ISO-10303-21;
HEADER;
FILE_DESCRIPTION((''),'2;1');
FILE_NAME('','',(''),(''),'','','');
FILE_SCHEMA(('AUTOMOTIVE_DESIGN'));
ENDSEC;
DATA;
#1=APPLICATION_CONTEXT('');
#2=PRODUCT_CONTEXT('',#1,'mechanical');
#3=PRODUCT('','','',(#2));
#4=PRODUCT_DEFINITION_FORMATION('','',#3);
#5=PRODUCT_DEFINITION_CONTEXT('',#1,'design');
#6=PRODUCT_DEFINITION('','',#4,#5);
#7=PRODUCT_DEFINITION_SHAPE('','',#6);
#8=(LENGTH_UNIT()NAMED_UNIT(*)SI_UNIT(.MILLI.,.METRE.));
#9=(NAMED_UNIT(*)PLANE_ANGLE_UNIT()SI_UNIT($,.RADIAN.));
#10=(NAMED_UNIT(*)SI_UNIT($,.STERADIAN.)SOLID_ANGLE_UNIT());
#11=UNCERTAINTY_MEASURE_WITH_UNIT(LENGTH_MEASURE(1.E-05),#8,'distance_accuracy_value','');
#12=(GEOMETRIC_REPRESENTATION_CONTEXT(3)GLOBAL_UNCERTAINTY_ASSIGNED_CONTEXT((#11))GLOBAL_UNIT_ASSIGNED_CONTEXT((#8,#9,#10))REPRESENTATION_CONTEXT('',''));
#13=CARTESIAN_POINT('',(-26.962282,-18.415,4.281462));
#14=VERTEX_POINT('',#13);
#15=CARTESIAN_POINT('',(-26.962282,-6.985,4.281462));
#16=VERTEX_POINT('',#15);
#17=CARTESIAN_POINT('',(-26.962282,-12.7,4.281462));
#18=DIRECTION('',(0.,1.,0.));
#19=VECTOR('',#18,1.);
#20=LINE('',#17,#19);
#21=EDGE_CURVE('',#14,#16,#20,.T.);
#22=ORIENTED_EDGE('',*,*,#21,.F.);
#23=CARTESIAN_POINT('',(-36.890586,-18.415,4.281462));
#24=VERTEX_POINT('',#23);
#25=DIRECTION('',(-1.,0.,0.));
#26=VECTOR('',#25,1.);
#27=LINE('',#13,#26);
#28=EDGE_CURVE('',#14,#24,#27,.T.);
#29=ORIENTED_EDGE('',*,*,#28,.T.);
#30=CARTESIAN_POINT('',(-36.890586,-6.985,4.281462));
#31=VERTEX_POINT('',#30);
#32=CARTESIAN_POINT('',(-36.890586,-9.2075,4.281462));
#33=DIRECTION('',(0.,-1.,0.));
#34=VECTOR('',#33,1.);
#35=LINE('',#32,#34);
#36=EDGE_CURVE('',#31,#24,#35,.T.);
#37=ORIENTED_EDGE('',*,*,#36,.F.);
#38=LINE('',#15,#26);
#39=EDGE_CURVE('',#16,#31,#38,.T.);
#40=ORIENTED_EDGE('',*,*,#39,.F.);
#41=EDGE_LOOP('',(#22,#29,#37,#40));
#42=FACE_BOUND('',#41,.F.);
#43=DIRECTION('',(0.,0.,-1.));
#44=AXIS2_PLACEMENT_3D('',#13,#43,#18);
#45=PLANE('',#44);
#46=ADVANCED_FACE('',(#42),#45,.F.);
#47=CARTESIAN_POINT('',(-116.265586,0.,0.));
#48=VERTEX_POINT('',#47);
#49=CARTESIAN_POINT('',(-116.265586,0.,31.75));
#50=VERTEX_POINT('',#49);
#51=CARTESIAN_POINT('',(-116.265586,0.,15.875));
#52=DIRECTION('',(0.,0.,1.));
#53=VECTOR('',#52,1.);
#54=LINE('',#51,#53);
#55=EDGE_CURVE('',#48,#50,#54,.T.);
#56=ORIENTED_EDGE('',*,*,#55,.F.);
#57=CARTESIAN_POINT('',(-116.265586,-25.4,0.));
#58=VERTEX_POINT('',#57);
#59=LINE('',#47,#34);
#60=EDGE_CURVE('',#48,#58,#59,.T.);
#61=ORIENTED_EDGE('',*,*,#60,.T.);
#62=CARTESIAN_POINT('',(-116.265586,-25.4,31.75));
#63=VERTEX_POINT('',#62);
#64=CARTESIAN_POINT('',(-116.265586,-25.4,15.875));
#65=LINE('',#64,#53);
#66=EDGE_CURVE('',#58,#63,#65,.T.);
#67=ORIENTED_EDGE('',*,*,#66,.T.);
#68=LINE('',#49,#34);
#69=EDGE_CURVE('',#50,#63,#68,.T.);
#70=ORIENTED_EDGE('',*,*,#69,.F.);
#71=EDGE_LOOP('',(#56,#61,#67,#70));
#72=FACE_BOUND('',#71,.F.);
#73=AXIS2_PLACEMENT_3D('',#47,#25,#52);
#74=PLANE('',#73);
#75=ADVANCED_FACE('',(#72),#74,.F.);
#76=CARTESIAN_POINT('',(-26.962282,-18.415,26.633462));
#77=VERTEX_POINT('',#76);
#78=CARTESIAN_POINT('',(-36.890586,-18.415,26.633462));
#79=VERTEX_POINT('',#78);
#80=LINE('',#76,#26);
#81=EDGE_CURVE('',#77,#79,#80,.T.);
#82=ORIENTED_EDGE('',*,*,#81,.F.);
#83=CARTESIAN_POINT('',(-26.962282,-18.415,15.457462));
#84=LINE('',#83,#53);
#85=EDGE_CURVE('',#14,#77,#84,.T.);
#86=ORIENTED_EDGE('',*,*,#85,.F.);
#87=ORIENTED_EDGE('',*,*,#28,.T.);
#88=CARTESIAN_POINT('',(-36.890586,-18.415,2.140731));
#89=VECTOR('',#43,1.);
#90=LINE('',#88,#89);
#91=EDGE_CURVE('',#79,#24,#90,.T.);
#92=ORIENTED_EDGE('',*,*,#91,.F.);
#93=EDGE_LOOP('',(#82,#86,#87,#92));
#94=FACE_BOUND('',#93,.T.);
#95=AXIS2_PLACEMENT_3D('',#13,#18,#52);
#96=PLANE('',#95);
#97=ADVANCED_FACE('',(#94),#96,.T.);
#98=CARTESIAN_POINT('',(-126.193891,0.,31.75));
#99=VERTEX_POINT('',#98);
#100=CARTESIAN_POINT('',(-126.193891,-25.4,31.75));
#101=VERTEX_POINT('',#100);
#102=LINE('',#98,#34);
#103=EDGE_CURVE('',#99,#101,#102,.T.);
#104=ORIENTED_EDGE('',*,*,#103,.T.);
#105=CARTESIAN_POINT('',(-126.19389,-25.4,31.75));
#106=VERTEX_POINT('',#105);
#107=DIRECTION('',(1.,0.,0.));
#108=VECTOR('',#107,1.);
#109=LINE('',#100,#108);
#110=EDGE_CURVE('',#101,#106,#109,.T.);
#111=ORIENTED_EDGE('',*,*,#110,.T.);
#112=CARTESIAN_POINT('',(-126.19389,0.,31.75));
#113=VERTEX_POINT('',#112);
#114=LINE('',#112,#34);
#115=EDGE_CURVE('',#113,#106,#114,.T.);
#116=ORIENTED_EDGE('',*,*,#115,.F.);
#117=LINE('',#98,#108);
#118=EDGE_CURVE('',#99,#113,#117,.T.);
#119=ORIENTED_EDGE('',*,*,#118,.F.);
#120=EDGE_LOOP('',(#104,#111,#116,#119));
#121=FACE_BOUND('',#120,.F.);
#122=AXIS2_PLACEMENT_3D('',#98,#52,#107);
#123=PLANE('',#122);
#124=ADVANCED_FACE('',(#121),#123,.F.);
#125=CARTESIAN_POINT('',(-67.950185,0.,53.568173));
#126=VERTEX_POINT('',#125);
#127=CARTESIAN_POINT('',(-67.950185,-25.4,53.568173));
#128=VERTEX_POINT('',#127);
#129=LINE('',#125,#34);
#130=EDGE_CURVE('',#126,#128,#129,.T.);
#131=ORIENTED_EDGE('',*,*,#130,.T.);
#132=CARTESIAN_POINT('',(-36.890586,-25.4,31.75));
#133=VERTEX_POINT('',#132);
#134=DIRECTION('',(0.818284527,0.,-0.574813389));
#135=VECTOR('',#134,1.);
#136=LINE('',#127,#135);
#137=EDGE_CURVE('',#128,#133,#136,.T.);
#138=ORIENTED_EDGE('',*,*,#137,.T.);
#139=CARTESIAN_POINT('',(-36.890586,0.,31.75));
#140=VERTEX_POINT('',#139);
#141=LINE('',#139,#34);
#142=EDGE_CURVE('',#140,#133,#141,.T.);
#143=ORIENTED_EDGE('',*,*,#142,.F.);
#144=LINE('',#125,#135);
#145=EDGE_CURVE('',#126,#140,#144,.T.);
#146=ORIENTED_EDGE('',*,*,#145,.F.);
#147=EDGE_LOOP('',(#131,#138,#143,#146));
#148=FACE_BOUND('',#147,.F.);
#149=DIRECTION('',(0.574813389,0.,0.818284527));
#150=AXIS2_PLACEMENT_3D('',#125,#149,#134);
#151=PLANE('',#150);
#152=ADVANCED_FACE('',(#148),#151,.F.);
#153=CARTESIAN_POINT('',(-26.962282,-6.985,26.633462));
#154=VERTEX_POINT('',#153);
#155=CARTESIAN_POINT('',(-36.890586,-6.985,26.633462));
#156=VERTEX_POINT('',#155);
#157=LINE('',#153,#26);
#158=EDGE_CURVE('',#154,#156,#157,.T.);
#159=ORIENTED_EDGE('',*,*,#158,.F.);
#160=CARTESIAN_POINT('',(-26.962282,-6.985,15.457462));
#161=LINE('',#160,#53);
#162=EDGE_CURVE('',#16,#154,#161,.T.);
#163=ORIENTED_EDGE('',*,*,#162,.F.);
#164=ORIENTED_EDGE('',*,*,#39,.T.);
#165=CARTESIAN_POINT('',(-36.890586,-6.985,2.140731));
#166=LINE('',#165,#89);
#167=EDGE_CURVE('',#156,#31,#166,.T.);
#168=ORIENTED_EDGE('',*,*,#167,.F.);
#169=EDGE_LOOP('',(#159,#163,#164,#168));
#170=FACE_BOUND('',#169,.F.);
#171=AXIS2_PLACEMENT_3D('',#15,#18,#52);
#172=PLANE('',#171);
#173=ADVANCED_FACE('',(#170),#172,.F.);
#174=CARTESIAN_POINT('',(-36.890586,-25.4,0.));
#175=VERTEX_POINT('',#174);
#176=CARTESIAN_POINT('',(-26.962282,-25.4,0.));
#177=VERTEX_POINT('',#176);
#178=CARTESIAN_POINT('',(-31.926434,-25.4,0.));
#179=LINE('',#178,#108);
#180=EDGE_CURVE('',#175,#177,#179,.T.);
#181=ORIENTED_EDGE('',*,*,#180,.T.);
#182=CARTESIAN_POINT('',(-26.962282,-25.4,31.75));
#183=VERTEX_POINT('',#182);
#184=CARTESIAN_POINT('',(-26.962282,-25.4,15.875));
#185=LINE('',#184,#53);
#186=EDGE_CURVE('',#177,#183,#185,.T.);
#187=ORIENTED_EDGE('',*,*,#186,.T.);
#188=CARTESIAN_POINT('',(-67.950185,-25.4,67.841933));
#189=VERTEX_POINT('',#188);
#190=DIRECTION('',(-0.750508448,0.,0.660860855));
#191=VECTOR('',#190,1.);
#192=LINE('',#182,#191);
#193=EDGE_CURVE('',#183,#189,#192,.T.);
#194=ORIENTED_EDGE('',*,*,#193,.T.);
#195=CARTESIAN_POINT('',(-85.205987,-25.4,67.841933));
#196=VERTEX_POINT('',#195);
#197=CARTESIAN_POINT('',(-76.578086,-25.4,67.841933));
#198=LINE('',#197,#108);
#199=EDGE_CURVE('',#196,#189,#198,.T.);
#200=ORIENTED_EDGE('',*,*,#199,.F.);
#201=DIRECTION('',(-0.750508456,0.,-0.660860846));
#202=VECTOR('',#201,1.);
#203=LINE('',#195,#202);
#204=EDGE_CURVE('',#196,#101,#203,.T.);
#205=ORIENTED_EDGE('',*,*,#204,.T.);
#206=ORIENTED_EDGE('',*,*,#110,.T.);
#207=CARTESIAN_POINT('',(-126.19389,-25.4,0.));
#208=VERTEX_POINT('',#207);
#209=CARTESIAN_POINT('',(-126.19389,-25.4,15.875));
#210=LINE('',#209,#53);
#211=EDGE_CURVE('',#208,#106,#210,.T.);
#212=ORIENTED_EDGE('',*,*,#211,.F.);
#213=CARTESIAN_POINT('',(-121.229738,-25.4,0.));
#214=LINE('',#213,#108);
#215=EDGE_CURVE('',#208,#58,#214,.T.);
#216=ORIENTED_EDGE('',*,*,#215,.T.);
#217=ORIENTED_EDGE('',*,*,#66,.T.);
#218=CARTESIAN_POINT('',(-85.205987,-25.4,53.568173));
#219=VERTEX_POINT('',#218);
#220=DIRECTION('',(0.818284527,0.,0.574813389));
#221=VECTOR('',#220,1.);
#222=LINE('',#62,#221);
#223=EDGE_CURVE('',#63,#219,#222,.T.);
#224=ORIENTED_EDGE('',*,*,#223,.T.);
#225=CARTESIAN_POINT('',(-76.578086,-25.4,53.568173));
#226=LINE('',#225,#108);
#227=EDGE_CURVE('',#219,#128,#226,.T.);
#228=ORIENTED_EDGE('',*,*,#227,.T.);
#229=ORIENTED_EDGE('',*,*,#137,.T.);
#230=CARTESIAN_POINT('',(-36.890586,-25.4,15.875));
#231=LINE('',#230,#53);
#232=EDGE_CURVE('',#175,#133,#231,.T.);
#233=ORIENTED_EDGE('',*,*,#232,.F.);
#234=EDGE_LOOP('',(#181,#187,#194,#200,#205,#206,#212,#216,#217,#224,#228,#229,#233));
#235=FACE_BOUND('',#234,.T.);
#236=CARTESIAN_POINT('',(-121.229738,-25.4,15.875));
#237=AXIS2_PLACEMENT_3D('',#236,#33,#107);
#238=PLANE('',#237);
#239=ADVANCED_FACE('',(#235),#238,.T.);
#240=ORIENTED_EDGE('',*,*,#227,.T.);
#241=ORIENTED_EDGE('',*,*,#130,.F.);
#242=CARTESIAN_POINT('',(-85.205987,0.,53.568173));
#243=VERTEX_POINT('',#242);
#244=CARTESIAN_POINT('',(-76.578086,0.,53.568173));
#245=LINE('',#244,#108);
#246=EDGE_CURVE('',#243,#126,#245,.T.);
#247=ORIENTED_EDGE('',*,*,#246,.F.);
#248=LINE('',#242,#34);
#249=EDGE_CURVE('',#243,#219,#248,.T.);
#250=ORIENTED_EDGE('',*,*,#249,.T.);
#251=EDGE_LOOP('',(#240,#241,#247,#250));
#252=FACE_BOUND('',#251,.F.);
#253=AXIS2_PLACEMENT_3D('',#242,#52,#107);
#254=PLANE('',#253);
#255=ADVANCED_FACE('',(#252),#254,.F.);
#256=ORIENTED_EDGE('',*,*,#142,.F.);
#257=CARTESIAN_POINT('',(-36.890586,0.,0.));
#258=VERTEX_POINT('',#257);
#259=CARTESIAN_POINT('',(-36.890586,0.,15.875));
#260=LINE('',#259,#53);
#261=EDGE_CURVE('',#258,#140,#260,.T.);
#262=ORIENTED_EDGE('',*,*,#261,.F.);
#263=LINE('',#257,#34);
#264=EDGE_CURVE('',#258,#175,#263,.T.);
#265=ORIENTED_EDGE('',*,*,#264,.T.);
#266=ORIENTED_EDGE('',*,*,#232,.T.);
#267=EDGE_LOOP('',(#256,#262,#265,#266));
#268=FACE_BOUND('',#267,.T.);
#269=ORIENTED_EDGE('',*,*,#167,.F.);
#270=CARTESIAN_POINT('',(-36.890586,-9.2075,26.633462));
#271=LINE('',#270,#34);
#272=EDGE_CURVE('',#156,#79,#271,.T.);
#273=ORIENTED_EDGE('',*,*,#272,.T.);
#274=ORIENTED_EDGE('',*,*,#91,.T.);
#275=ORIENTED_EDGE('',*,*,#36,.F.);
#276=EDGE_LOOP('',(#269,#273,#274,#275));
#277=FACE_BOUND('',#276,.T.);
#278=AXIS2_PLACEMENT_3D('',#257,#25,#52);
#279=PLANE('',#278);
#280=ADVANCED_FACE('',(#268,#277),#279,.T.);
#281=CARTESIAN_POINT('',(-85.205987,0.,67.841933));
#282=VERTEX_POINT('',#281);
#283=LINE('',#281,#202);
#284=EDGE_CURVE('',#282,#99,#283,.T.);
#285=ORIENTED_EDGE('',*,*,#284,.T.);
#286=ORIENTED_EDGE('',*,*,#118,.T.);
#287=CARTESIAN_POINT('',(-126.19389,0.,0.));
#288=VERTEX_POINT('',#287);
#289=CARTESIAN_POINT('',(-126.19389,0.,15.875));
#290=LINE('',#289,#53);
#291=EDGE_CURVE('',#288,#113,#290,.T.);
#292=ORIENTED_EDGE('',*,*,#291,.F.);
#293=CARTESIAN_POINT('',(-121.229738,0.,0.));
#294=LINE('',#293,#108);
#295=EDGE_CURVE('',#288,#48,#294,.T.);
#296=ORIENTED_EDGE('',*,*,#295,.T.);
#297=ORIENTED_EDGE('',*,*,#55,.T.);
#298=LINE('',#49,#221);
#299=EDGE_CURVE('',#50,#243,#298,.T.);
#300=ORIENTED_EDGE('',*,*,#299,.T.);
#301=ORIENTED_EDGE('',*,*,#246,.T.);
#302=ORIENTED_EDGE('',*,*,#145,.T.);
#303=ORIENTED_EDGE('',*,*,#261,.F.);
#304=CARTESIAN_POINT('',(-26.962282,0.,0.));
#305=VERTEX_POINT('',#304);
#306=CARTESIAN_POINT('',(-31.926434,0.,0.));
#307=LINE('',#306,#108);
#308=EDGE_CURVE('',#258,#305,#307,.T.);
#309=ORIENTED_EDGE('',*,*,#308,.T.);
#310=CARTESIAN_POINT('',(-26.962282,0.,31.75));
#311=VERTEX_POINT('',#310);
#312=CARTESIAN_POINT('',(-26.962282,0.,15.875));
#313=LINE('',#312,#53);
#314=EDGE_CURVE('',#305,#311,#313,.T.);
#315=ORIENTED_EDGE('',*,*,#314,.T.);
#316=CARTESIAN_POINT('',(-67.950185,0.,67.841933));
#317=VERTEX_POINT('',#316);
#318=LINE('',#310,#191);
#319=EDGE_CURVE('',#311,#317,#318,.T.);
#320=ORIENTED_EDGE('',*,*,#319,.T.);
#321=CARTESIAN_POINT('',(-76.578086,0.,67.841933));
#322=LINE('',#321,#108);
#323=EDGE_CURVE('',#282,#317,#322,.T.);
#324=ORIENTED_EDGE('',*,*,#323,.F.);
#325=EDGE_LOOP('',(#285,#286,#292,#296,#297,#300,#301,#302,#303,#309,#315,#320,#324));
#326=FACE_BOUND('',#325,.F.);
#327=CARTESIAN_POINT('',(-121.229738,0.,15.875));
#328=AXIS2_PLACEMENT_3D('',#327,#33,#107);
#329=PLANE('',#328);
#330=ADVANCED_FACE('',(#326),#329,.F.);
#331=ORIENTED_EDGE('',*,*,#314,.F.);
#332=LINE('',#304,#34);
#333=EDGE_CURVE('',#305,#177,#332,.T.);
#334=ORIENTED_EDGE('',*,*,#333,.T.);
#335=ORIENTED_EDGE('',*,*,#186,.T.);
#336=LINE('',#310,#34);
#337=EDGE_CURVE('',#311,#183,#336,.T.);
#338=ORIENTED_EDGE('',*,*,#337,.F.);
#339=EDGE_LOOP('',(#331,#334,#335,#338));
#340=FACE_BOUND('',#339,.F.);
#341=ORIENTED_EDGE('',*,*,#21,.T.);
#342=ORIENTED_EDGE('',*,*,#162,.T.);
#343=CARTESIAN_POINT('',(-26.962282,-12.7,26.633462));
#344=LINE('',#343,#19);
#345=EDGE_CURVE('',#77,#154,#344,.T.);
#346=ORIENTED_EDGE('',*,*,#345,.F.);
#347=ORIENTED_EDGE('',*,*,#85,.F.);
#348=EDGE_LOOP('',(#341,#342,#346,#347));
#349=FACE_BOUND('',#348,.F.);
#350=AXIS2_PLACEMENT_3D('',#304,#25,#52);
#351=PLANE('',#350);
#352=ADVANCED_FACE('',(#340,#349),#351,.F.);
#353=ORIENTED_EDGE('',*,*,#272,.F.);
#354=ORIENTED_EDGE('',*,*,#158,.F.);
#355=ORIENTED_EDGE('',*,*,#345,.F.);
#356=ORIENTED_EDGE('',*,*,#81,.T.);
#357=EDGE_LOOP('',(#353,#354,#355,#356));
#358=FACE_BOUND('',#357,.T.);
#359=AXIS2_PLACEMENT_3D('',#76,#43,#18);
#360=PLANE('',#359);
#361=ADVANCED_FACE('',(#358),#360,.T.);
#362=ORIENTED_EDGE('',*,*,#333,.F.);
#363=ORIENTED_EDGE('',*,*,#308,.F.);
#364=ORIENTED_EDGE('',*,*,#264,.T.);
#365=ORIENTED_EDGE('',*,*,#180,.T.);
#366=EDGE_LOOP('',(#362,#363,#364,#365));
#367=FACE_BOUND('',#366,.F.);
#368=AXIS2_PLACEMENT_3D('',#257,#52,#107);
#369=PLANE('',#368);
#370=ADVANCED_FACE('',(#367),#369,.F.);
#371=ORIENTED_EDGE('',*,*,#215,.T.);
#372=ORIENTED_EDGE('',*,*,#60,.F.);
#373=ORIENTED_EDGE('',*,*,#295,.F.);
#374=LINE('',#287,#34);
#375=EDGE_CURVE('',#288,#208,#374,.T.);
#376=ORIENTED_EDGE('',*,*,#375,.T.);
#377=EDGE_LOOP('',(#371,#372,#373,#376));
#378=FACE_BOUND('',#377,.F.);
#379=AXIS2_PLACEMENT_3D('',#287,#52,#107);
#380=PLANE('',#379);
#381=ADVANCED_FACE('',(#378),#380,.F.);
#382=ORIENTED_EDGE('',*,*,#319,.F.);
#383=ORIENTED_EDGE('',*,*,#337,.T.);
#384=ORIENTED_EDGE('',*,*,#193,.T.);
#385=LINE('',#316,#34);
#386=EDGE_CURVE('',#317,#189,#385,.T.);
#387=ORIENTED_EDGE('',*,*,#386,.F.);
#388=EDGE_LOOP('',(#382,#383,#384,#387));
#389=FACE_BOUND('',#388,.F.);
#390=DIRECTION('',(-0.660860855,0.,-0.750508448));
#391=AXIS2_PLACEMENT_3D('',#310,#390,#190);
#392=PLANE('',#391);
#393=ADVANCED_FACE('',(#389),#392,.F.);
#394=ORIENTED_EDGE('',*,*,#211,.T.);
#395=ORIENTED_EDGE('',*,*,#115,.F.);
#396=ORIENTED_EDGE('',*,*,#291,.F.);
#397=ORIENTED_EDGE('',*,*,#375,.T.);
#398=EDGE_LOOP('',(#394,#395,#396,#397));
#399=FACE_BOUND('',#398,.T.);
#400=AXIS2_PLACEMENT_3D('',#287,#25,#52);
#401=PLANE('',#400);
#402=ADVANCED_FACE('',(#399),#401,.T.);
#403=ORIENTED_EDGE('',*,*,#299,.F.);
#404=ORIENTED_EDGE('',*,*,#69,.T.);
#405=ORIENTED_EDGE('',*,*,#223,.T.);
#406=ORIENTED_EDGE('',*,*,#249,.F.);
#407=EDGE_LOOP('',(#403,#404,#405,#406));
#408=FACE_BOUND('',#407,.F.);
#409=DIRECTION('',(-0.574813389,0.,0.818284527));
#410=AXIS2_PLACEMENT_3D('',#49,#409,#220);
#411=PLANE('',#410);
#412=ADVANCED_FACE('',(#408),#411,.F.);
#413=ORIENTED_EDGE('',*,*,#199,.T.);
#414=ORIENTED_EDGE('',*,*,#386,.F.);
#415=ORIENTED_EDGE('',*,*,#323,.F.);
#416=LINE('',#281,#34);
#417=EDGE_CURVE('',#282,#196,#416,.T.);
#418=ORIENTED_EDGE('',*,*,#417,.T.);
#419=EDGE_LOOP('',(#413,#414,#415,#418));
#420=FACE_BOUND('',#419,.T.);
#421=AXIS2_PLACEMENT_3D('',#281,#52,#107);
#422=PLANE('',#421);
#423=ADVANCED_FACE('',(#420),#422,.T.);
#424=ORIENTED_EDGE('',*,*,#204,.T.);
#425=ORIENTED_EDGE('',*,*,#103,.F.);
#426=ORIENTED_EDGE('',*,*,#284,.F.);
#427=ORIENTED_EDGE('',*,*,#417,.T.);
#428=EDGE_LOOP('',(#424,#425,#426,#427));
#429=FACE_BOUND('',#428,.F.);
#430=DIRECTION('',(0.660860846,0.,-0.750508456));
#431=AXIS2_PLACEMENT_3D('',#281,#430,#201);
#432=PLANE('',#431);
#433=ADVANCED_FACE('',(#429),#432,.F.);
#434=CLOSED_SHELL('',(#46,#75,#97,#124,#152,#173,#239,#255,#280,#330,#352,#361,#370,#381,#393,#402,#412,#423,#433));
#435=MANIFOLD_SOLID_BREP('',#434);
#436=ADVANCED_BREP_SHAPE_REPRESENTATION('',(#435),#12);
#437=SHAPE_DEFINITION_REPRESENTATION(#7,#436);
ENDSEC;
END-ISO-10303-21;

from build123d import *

# Parameters (mm, degrees)
F0_W     = 9.928305
F0_H     = 31.75
F0_W_2   = 17.255802
F0_H_2   = 14.27376
F0_W_3   = 9.928304
F1_DEPTH = 25.4
F2_W     = 11.43
F2_H     = 22.352
F3_DEPTH = 25.4


with BuildPart() as f1:
    # F0 (on Front) → F1 (new body)
    with BuildSketch(Plane.XZ):
        with Locations((-121.229738, 15.875)):
            Rectangle(F0_W, F0_H)
        Polygon((-85.205987, 67.841933), (-126.193891, 31.75), (-116.265586, 31.75), (-85.205987, 53.568173), align=None)
        with Locations((-76.578086, 60.705053)):
            Rectangle(F0_W_2, F0_H_2)
        Polygon((-26.962282, 31.75), (-67.950185, 67.841933), (-67.950185, 53.568173), (-36.890586, 31.75), align=None)
        with Locations((-31.926434, 15.875)):
            Rectangle(F0_W_3, F0_H)
    extrude(amount=F1_DEPTH)

    # F2 (on face) → F3 (cut)
    with BuildSketch(Plane.YZ.offset(-26.962282)):
        with Locations((-12.7, 15.457462)):
            Rectangle(F2_W, F2_H)
    extrude(amount=-F3_DEPTH, mode=Mode.SUBTRACT)


solid = f1.part
